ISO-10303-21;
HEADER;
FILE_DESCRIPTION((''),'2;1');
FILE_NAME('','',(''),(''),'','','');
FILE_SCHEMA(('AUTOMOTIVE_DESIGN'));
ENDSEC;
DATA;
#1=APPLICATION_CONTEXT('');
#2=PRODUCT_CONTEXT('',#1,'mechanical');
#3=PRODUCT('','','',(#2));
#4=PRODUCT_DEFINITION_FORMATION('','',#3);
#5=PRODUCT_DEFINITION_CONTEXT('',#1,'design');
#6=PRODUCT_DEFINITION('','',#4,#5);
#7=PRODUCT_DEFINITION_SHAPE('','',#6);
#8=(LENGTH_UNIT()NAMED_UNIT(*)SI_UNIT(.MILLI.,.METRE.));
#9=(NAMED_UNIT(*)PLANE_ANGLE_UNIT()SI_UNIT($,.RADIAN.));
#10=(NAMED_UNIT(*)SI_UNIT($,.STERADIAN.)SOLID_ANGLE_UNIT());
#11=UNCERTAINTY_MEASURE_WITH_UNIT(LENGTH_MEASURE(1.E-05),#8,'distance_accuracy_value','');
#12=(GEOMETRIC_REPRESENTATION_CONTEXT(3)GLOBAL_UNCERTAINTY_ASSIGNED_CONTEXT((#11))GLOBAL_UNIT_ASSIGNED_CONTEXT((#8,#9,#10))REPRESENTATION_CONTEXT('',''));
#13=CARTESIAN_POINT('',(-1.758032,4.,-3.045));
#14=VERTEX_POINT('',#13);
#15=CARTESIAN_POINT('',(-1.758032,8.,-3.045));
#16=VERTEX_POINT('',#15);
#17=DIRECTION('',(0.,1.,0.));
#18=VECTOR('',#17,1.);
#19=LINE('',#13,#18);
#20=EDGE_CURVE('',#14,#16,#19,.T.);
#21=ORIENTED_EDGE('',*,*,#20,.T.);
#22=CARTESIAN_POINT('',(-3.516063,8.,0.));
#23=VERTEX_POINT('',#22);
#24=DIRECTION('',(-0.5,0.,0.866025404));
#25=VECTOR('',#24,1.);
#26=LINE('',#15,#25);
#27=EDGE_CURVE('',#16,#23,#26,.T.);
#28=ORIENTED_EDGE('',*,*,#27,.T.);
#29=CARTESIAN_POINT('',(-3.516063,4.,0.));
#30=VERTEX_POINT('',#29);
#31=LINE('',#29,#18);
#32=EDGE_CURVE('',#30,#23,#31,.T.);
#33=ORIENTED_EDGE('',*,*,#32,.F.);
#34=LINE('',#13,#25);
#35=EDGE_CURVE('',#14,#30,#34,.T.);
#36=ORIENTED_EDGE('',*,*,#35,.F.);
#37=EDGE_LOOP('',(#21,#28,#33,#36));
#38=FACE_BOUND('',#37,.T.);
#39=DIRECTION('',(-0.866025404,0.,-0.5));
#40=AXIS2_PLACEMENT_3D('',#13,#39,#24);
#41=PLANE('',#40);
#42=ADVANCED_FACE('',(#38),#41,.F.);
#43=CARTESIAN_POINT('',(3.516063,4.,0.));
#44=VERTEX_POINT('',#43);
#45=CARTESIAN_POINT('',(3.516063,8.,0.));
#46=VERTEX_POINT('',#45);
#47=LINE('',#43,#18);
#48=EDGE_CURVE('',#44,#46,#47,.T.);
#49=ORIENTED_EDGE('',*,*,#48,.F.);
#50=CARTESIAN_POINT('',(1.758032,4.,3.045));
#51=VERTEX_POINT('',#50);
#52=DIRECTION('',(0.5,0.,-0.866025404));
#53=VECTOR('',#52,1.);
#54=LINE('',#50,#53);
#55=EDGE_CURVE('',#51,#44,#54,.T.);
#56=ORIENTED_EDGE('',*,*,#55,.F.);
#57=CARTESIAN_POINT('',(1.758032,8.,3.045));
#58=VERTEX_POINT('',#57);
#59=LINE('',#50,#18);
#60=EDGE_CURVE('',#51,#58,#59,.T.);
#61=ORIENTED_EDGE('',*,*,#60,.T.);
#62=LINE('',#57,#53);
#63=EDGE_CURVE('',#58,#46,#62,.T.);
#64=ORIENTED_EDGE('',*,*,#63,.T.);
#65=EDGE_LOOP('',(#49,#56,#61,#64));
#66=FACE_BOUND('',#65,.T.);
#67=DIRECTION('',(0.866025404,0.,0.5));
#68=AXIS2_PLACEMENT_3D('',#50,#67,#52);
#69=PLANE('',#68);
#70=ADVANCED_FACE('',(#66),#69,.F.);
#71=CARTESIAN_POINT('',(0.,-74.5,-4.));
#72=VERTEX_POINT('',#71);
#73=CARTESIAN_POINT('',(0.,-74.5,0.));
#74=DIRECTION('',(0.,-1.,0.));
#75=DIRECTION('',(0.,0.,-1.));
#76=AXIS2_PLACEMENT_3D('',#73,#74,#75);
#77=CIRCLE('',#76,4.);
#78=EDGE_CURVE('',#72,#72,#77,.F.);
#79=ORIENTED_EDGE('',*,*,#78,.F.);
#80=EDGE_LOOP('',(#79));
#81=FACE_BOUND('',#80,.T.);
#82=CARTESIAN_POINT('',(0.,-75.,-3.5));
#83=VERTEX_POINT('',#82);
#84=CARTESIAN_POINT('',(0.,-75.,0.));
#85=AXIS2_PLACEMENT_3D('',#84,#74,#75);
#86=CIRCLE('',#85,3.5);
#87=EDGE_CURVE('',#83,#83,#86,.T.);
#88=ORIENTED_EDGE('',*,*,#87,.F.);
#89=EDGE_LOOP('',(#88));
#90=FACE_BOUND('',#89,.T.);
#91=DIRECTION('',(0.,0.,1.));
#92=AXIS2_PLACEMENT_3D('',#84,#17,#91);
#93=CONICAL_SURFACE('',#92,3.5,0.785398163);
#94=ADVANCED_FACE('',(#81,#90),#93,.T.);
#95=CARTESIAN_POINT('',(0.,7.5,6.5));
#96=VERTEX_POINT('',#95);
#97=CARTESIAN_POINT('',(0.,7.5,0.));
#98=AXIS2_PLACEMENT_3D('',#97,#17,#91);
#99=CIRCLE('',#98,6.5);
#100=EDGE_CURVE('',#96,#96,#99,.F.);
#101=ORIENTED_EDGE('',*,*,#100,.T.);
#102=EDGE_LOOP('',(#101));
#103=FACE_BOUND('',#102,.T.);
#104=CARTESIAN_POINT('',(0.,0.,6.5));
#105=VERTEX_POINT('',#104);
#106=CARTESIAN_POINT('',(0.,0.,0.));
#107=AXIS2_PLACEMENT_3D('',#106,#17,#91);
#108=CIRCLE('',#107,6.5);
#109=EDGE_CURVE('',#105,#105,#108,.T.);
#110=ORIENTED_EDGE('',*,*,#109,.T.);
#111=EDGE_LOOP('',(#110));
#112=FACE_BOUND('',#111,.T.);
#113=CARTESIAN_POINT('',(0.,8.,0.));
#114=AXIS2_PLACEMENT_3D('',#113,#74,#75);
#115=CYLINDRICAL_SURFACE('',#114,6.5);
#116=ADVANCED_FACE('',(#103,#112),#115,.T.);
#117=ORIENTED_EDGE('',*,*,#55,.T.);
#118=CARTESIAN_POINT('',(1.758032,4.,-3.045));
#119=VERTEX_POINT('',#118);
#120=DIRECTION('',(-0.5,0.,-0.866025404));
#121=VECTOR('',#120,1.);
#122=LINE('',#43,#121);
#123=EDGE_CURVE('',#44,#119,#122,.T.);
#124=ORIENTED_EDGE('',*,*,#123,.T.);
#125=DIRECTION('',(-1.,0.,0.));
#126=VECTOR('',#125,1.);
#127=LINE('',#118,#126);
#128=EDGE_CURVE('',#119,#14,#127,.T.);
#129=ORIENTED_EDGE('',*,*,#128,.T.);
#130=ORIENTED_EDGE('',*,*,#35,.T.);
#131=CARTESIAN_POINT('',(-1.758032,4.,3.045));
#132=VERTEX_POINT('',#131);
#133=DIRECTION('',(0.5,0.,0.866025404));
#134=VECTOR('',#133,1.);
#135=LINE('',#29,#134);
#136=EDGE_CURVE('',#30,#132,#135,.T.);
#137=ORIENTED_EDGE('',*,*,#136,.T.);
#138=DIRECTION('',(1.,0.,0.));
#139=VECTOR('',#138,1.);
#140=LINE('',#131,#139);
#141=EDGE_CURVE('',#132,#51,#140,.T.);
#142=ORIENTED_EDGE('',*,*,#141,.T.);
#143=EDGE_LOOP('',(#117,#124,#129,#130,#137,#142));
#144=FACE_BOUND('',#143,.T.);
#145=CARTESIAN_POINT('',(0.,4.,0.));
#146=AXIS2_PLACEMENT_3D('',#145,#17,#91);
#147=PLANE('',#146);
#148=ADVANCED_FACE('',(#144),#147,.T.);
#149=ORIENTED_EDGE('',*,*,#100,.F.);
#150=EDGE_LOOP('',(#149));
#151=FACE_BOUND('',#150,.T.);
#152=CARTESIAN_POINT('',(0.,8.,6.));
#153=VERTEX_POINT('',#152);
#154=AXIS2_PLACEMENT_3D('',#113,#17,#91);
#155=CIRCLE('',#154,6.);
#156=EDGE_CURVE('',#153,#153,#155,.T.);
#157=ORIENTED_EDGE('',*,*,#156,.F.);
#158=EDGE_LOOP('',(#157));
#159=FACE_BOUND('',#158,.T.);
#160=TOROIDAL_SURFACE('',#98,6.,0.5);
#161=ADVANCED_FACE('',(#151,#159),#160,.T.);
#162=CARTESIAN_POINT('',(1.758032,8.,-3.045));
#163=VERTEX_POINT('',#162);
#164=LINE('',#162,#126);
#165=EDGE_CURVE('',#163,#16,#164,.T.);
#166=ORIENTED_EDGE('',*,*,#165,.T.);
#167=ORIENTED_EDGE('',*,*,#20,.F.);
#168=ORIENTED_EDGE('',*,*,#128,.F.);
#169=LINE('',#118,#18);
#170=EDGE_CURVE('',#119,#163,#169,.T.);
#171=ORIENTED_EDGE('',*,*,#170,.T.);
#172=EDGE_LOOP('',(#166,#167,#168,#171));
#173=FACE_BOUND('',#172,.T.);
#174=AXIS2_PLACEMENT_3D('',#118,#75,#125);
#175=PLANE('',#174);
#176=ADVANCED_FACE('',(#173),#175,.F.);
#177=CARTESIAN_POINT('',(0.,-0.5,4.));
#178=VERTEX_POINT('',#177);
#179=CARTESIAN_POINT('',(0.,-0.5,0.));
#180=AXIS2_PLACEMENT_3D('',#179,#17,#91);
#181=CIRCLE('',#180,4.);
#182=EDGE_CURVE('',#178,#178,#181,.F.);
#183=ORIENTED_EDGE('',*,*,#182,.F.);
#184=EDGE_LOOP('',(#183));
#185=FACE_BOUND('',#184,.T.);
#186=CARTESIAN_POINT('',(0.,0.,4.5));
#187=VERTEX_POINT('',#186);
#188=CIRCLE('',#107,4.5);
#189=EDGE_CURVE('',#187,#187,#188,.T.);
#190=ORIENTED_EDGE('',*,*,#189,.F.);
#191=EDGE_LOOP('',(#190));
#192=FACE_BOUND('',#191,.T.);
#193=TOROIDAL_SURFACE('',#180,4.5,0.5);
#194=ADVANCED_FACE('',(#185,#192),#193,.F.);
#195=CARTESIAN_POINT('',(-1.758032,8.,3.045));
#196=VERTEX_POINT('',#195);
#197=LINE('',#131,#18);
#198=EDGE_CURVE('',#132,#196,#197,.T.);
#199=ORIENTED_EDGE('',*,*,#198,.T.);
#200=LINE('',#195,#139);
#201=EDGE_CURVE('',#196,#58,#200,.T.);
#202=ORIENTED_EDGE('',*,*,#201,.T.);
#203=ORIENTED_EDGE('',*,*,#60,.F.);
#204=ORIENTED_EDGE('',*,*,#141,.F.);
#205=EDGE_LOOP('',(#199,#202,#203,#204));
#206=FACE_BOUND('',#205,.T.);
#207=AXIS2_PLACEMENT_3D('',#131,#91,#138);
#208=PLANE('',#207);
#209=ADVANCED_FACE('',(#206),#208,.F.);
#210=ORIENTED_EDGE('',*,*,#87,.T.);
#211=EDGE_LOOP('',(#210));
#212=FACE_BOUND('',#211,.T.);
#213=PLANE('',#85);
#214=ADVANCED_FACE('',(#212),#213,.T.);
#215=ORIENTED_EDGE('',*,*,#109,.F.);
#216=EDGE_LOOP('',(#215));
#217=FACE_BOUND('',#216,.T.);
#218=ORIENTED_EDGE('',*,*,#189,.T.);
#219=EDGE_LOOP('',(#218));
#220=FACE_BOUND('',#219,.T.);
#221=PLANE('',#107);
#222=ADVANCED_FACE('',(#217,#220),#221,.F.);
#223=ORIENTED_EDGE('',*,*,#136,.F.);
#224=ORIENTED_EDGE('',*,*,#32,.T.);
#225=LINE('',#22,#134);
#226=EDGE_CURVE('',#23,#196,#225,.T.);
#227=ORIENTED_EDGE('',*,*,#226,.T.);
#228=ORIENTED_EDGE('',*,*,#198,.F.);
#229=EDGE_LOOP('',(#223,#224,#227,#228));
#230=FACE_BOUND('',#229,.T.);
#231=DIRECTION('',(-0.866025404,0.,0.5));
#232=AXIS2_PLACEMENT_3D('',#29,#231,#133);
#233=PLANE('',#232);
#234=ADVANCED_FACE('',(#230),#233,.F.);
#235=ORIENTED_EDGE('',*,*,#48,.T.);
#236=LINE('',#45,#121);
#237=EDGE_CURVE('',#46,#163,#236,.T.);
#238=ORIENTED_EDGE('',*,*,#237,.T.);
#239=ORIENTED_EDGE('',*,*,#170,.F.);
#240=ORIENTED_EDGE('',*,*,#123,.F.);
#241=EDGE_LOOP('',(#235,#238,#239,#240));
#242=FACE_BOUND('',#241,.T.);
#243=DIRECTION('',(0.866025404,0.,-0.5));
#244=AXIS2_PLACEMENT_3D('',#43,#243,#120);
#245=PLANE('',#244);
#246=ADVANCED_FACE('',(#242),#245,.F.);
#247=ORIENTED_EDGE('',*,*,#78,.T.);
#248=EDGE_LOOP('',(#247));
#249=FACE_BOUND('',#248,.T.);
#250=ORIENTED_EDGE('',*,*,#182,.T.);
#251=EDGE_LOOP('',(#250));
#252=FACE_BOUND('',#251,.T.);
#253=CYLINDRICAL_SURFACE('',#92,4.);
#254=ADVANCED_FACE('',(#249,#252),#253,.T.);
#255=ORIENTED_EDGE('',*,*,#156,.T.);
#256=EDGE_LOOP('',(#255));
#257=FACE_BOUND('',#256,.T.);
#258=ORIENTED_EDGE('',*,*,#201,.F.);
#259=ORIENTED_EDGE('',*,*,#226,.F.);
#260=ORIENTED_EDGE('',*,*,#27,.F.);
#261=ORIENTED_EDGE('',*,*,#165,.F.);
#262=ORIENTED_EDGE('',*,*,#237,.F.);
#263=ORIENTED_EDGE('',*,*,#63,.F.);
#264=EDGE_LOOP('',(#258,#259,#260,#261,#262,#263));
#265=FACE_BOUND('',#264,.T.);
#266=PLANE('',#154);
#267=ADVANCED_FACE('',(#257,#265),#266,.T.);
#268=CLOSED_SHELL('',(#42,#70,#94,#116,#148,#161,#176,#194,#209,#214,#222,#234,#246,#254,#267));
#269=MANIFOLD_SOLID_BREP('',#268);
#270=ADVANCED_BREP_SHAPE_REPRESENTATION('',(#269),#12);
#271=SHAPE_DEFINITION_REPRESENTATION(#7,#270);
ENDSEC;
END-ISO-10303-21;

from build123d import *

# Parameters (mm, degrees)
SKETCH_1_R          = 6.5
EXTRUDE_1_DEPTH     = 8
CUT_EXTRUDE_1_DEPTH = 4
FILLET_1_R          = 0.5
SKETCH_3_R          = 4
EXTRUDE_2_DEPTH     = 75
FILLET_2_R          = 0.5
CHAMFER_1_SIZE      = 0.5


with BuildPart() as part:
    # ｽｹｯﾁ1 → ﾎﾞｽ - 押し出し1 (new body)
    with BuildSketch(Plane(origin=(0, 0, 0), x_dir=(1, 0, 0), z_dir=(0, 1, 0))):
        with Locations(Location((0, 0, 0), (0, 0, 270))):
            Circle(SKETCH_1_R)
    extrude(amount=EXTRUDE_1_DEPTH)

    # ｽｹｯﾁ2 → ｶｯﾄ - 押し出し1 (cut)
    with BuildSketch(Plane(origin=(0, 8, 0), x_dir=(1, 0, 0), z_dir=(0, 1, 0))):
        Polygon((3.516063139, 0), (1.75803157, 3.045), (-1.75803157, 3.045), (-3.516063139, 0), (-1.75803157, -3.045), (1.75803157, -3.045), align=None)
    extrude(amount=-CUT_EXTRUDE_1_DEPTH, mode=Mode.SUBTRACT)

    # ﾌｨﾚｯﾄ1
    fillet_1_edges = [part.edges().sort_by_distance(p)[0] for p in [
        (0, 8, -6.5),
    ]]
    fillet(fillet_1_edges, radius=FILLET_1_R)

    # ｽｹｯﾁ3 → ﾎﾞｽ - 押し出し2 (add)
    with BuildSketch(Plane.XZ):
        with Locations(Location((0, 0, 0), (0, 0, 90))):
            Circle(SKETCH_3_R)
    extrude(amount=EXTRUDE_2_DEPTH)

    # ﾌｨﾚｯﾄ2
    fillet_2_edges = [part.edges().sort_by_distance(p)[0] for p in [
        (0, 0, -4),
    ]]
    fillet(fillet_2_edges, radius=FILLET_2_R)

    # 面取り1
    chamfer_1_edges = [part.edges().sort_by_distance(p)[0] for p in [
        (0, -75, -4),
    ]]
    chamfer(chamfer_1_edges, length=CHAMFER_1_SIZE)


solid = part.part
